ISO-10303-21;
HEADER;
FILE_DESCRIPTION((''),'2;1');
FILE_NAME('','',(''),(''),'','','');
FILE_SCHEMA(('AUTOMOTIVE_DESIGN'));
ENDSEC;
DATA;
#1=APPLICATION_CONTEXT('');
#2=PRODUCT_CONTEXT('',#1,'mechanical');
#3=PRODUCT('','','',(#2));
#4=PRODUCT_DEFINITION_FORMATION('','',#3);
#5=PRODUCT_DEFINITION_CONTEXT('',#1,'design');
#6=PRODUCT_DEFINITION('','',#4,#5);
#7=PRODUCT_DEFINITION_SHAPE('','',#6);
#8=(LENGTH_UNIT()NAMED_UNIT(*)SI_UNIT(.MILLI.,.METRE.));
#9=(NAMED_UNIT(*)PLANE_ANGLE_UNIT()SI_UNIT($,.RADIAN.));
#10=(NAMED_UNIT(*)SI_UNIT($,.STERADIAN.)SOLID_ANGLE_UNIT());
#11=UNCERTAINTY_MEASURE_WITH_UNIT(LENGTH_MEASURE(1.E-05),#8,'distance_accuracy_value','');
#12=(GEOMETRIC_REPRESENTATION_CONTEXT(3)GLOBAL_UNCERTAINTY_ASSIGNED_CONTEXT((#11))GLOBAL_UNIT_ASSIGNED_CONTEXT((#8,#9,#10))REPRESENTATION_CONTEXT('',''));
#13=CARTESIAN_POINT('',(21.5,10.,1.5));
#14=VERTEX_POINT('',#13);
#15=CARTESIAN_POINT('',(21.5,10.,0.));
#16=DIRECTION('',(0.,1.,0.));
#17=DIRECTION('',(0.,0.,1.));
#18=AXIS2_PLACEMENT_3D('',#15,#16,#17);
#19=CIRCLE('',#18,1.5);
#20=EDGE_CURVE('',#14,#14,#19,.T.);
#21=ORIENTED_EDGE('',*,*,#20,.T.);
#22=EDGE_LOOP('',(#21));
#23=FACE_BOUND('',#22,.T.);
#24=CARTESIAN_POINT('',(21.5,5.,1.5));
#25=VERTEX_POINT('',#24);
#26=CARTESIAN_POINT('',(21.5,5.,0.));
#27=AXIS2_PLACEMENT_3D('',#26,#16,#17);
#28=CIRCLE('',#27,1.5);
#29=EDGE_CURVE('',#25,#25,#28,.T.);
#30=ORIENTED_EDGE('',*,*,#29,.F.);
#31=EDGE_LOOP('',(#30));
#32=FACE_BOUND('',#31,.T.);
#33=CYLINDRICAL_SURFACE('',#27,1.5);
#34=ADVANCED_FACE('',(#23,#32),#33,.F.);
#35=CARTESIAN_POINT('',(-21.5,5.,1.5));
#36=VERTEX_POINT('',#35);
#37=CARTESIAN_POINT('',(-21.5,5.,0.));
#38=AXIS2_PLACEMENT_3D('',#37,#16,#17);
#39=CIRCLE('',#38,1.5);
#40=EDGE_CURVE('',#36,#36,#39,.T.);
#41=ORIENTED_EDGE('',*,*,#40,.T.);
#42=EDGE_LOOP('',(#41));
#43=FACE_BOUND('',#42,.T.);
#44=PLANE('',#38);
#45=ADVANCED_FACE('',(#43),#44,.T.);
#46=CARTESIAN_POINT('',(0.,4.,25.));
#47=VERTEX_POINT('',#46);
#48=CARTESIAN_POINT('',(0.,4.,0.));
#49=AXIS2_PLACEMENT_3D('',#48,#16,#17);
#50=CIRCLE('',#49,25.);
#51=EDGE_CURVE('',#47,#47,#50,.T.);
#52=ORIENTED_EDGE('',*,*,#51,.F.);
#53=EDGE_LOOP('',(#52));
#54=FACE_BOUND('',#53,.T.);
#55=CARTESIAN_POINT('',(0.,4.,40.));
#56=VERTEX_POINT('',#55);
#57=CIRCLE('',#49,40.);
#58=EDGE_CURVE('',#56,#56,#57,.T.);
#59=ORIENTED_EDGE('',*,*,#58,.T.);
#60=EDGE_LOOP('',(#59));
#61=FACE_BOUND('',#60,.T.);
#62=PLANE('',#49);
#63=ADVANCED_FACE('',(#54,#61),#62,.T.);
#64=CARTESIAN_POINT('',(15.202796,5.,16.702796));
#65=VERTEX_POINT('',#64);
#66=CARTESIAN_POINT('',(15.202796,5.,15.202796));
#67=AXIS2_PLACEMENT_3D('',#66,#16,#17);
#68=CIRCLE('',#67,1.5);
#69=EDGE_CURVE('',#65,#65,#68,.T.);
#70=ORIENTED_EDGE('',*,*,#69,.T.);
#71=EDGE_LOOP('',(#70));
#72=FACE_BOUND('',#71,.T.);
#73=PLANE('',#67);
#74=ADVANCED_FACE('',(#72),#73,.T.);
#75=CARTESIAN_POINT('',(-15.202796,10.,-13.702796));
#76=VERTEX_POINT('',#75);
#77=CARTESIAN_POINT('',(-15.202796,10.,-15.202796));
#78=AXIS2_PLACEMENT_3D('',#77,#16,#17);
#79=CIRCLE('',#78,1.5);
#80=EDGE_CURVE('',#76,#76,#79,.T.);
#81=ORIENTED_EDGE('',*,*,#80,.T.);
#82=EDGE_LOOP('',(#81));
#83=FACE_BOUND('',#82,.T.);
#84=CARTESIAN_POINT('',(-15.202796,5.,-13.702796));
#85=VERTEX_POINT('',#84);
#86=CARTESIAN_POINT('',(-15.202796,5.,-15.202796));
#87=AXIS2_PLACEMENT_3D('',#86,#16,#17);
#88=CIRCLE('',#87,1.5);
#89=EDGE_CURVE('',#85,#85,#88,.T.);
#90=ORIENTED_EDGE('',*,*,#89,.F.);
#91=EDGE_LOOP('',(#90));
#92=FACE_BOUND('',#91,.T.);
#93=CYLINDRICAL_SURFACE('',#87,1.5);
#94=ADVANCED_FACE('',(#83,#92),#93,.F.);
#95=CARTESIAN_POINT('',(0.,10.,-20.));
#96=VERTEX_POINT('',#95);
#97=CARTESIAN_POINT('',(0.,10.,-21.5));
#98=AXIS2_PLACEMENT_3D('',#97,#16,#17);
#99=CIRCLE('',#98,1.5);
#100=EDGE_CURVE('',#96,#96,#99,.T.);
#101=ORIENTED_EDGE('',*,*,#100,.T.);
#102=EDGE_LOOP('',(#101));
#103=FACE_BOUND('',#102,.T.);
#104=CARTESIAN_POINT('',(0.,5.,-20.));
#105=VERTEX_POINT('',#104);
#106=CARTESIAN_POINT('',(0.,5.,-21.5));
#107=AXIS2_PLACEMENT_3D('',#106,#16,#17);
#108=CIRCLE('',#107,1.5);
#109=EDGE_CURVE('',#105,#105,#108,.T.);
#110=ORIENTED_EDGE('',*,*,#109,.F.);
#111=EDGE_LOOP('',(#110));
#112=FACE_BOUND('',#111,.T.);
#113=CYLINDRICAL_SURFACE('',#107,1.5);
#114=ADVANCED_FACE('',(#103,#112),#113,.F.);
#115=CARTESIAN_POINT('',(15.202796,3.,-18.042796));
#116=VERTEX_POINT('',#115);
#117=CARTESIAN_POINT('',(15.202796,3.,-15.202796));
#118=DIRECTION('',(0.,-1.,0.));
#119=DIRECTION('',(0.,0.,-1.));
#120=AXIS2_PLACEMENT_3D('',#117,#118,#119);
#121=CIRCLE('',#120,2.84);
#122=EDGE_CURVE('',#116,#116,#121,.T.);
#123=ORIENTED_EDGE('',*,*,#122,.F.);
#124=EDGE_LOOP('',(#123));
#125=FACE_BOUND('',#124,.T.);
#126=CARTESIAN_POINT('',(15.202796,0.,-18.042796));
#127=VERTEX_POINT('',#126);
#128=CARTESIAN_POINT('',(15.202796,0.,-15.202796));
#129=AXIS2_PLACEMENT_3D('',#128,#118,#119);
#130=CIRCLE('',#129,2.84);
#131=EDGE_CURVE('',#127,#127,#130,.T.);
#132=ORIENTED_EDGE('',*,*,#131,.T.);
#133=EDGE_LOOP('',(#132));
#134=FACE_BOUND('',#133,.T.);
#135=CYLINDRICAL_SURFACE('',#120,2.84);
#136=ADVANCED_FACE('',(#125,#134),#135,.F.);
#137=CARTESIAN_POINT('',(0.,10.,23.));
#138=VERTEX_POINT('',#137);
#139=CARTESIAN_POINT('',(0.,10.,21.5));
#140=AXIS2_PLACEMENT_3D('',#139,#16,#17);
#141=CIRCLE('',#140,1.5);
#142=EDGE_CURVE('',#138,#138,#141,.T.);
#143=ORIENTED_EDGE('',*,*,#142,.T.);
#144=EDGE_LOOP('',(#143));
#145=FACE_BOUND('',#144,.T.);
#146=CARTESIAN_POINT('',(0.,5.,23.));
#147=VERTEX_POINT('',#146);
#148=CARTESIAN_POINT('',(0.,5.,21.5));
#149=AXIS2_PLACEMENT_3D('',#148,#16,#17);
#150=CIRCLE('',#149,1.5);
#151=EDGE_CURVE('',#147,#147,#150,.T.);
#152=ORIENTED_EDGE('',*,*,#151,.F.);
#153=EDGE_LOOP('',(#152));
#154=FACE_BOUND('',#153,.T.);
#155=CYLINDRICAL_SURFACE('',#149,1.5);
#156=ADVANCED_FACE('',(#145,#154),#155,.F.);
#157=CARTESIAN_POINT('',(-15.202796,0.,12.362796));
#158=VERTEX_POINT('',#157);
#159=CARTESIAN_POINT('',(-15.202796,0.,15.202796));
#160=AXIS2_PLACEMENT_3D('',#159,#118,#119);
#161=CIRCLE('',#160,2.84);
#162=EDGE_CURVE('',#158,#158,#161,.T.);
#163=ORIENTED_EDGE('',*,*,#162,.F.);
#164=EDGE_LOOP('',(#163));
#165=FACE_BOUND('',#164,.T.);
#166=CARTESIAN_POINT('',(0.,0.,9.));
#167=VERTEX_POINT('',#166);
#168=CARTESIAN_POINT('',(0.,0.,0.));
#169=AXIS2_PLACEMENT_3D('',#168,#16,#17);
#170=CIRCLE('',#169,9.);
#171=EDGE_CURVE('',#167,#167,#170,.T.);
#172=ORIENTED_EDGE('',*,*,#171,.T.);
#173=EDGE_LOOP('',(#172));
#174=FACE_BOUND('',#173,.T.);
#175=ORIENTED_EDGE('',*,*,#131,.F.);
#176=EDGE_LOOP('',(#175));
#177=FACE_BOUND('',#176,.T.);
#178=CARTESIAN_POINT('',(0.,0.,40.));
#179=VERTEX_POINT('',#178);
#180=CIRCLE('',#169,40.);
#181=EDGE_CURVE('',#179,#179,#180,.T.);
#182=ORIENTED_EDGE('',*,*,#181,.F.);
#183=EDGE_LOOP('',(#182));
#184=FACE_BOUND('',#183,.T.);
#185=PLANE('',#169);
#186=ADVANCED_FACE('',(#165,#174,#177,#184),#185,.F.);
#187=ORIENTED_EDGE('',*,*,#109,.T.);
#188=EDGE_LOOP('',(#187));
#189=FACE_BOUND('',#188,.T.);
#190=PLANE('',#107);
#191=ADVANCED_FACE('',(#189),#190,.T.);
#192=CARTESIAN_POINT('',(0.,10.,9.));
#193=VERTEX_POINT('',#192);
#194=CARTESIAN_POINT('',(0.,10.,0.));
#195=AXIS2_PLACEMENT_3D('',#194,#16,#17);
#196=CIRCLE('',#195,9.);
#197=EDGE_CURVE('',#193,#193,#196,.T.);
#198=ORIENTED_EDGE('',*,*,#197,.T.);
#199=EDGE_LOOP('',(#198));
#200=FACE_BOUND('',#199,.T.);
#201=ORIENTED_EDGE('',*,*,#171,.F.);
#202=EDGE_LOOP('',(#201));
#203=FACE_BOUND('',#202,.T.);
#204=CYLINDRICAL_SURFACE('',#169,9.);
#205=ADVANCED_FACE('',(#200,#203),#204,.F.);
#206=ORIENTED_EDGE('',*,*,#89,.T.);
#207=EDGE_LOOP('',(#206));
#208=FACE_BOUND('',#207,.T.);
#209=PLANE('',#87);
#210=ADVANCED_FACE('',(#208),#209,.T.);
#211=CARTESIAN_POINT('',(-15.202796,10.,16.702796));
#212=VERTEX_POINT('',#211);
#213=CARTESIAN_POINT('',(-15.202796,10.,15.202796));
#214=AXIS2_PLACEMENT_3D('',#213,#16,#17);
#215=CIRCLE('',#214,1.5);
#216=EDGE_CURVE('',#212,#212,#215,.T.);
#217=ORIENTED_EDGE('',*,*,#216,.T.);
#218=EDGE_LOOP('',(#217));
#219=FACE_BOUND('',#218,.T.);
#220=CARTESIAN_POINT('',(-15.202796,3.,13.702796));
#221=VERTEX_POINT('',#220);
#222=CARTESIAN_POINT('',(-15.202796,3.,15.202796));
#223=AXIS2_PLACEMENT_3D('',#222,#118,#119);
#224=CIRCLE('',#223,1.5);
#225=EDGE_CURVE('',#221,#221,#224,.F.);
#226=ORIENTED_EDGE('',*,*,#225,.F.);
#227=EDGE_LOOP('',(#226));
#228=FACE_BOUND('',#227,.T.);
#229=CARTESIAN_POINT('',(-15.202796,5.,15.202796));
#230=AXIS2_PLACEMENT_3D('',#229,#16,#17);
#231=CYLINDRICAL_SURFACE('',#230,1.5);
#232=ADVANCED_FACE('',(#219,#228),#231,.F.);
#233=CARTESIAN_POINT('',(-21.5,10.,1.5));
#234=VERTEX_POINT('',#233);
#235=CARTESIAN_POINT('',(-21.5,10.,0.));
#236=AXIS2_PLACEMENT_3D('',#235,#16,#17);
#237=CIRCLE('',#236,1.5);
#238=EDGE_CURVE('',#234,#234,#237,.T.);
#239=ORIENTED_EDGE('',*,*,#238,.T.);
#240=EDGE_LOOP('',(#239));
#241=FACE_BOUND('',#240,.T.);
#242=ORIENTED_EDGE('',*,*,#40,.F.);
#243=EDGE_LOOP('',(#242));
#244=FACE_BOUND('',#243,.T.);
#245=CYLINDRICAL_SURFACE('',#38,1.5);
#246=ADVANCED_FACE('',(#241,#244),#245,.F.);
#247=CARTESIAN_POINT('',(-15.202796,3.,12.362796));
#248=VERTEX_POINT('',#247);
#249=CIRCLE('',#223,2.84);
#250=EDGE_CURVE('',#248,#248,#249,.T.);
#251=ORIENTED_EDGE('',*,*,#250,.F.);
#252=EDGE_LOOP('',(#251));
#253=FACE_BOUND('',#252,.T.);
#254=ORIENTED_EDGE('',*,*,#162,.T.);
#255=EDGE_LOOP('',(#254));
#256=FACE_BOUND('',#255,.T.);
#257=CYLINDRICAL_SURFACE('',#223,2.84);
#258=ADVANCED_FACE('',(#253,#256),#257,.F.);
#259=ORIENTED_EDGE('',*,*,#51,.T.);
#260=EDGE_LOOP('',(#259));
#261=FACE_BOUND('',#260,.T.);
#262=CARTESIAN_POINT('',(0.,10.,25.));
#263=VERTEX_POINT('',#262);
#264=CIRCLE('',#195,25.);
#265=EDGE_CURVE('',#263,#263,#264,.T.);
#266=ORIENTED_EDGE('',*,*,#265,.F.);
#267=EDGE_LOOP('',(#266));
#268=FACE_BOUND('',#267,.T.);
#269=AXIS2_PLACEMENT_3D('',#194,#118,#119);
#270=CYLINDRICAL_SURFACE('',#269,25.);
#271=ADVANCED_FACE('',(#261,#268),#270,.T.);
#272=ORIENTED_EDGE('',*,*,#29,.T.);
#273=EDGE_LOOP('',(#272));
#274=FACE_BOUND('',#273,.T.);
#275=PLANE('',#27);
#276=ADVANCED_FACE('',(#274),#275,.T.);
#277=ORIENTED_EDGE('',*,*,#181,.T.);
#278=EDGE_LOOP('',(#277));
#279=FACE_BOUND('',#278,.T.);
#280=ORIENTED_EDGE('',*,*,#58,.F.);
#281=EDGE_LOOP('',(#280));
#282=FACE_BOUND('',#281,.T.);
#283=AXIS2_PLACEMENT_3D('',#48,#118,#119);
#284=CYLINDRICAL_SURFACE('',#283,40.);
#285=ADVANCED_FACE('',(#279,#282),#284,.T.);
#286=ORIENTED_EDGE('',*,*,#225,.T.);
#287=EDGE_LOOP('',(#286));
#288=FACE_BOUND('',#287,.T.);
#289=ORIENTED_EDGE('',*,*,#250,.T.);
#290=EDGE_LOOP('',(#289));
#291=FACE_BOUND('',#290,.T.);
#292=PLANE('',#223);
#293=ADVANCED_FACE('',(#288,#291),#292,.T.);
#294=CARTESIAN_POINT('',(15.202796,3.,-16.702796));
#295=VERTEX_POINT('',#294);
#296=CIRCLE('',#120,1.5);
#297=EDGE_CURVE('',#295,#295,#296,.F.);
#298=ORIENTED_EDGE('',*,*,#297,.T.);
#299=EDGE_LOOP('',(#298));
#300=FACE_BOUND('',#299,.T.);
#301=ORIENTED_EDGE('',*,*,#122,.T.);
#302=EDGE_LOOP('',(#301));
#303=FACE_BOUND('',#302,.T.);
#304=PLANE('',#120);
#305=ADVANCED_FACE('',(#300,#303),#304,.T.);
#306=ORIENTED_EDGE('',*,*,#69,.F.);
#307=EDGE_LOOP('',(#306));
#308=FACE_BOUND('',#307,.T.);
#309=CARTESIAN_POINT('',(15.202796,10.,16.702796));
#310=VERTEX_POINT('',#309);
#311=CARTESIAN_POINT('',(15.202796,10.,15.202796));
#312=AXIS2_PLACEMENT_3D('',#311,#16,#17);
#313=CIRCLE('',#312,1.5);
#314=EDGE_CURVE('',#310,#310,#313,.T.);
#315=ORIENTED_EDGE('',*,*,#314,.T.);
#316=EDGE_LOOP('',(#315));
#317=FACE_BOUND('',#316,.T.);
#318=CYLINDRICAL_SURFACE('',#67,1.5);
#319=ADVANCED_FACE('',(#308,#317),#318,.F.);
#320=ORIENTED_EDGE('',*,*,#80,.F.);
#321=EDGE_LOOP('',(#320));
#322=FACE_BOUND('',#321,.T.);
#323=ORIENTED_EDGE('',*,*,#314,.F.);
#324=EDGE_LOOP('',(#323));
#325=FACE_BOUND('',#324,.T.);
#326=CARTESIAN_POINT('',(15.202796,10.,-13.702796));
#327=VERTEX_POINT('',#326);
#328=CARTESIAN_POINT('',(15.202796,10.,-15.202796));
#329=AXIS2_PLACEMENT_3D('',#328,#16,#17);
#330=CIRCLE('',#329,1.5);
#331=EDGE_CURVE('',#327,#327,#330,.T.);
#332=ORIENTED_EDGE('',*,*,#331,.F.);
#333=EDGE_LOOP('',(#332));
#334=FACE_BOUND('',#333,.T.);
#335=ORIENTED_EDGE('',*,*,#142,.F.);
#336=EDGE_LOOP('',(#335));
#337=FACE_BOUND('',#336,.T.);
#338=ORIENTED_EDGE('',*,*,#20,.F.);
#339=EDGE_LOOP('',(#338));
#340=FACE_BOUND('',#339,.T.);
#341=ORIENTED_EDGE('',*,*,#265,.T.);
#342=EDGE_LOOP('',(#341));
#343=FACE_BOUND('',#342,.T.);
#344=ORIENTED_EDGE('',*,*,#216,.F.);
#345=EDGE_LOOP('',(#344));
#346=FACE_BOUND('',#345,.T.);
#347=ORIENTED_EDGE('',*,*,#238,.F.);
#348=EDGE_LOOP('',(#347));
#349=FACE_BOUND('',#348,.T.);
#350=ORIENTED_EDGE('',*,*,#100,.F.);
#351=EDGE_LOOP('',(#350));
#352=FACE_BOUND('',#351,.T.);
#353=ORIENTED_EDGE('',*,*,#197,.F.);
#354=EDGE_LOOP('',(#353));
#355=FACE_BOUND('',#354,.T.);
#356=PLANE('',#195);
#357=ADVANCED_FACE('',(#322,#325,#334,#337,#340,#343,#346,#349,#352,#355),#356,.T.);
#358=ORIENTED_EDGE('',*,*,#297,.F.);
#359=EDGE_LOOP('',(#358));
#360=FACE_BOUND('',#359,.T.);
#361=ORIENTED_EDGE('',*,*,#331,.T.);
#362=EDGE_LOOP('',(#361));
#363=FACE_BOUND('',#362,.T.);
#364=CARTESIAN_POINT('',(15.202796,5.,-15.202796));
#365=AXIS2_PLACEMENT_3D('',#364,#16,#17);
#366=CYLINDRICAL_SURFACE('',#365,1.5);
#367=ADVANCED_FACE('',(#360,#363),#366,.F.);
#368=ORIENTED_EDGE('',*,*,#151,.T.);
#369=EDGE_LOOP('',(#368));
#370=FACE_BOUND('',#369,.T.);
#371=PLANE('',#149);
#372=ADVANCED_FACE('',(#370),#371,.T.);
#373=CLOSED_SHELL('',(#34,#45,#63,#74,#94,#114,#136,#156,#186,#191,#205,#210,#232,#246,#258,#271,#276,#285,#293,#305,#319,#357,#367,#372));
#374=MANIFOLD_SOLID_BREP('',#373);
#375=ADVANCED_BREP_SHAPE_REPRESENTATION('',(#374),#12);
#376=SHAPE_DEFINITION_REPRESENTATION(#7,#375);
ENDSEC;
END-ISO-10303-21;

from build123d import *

# Parameters (mm, degrees)
SKETCH1_R           = 40
BOSS_EXTRUDE1_DEPTH = 4
SKETCH2_R           = 25
BOSS_EXTRUDE2_DEPTH = 6
SKETCH3_R           = 1.5
CUT_EXTRUDE1_DEPTH  = 5
SKETCH4_R           = 9
CUT_EXTRUDE2_DEPTH  = 58.445626465
SKETCH5_R           = 1.5
CUT_EXTRUDE3_DEPTH  = 57.789083458
SKETCH6_R           = 2.84
CUT_EXTRUDE4_DEPTH  = 3


with BuildPart() as part:
    # Sketch1 → Boss-Extrude1 (new body)
    with BuildSketch(Plane(origin=(0, 0, 0), x_dir=(1, 0, 0), z_dir=(0, 1, 0))):
        with Locations(Location((0, 0, 0), (0, 0, 270))):
            Circle(SKETCH1_R)
    extrude(amount=BOSS_EXTRUDE1_DEPTH)

    # Sketch2 → Boss-Extrude2 (add)
    with BuildSketch(Plane(origin=(0, 4, 0), x_dir=(1, 0, 0), z_dir=(0, 1, 0))):
        with Locations(Location((0, 0, 0), (0, 0, 270))):
            Circle(SKETCH2_R)
    extrude(amount=BOSS_EXTRUDE2_DEPTH)

    # Sketch3 → Cut-Extrude1 (cut)
    with BuildSketch(Plane(origin=(0, 10, 0), x_dir=(1, 0, 0), z_dir=(0, 1, 0))):
        with Locations(Location((0, -21.5, 0), (0, 0, 270))):
            Circle(SKETCH3_R)
        with Locations(Location((-15.202795796, -15.202795796, 0), (0, 0, 270))):
            Circle(SKETCH3_R)
        with Locations(Location((-21.5, 0, 0), (0, 0, 270))):
            Circle(SKETCH3_R)
        with Locations(Location((-15.202795796, 15.202795796, 0), (0, 0, 270))):
            Circle(SKETCH3_R)
        with Locations(Location((0, 21.5, 0), (0, 0, 270))):
            Circle(SKETCH3_R)
        with Locations(Location((15.202795796, 15.202795796, 0), (0, 0, 270))):
            Circle(SKETCH3_R)
        with Locations(Location((21.5, 0, 0), (0, 0, 270))):
            Circle(SKETCH3_R)
        with Locations(Location((15.202795796, -15.202795796, 0), (0, 0, 270))):
            Circle(SKETCH3_R)
    extrude(amount=-CUT_EXTRUDE1_DEPTH, mode=Mode.SUBTRACT)

    # Sketch4 → Cut-Extrude2 (cut, through all)
    with BuildSketch(Plane(origin=(0, 10, 0), x_dir=(1, 0, 0), z_dir=(0, 1, 0))):
        with Locations(Location((0, 0, 0), (0, 0, 270))):
            Circle(SKETCH4_R)
    extrude(amount=-CUT_EXTRUDE2_DEPTH, mode=Mode.SUBTRACT)

    # Sketch5 → Cut-Extrude3 (cut, through all)
    with BuildSketch(Plane(origin=(0, 5, 0), x_dir=(1, 0, 0), z_dir=(0, 1, 0))):
        with Locations(Location((15.202795796, 15.202795796, 0), (0, 0, 270))):
            Circle(SKETCH5_R)
        with Locations(Location((-15.202795796, -15.202795796, 0), (0, 0, 270))):
            Circle(SKETCH5_R)
    extrude(amount=-CUT_EXTRUDE3_DEPTH, mode=Mode.SUBTRACT)

    # Sketch6 → Cut-Extrude4 (cut)
    with BuildSketch(Plane.XZ):
        with Locations(Location((-15.202795796, 15.202795796, 0), (0, 0, 270))):
            Circle(SKETCH6_R)
        with Locations(Location((15.202795796, -15.202795796, 0), (0, 0, 270))):
            Circle(SKETCH6_R)
    extrude(amount=-CUT_EXTRUDE4_DEPTH, mode=Mode.SUBTRACT)


solid = part.part
